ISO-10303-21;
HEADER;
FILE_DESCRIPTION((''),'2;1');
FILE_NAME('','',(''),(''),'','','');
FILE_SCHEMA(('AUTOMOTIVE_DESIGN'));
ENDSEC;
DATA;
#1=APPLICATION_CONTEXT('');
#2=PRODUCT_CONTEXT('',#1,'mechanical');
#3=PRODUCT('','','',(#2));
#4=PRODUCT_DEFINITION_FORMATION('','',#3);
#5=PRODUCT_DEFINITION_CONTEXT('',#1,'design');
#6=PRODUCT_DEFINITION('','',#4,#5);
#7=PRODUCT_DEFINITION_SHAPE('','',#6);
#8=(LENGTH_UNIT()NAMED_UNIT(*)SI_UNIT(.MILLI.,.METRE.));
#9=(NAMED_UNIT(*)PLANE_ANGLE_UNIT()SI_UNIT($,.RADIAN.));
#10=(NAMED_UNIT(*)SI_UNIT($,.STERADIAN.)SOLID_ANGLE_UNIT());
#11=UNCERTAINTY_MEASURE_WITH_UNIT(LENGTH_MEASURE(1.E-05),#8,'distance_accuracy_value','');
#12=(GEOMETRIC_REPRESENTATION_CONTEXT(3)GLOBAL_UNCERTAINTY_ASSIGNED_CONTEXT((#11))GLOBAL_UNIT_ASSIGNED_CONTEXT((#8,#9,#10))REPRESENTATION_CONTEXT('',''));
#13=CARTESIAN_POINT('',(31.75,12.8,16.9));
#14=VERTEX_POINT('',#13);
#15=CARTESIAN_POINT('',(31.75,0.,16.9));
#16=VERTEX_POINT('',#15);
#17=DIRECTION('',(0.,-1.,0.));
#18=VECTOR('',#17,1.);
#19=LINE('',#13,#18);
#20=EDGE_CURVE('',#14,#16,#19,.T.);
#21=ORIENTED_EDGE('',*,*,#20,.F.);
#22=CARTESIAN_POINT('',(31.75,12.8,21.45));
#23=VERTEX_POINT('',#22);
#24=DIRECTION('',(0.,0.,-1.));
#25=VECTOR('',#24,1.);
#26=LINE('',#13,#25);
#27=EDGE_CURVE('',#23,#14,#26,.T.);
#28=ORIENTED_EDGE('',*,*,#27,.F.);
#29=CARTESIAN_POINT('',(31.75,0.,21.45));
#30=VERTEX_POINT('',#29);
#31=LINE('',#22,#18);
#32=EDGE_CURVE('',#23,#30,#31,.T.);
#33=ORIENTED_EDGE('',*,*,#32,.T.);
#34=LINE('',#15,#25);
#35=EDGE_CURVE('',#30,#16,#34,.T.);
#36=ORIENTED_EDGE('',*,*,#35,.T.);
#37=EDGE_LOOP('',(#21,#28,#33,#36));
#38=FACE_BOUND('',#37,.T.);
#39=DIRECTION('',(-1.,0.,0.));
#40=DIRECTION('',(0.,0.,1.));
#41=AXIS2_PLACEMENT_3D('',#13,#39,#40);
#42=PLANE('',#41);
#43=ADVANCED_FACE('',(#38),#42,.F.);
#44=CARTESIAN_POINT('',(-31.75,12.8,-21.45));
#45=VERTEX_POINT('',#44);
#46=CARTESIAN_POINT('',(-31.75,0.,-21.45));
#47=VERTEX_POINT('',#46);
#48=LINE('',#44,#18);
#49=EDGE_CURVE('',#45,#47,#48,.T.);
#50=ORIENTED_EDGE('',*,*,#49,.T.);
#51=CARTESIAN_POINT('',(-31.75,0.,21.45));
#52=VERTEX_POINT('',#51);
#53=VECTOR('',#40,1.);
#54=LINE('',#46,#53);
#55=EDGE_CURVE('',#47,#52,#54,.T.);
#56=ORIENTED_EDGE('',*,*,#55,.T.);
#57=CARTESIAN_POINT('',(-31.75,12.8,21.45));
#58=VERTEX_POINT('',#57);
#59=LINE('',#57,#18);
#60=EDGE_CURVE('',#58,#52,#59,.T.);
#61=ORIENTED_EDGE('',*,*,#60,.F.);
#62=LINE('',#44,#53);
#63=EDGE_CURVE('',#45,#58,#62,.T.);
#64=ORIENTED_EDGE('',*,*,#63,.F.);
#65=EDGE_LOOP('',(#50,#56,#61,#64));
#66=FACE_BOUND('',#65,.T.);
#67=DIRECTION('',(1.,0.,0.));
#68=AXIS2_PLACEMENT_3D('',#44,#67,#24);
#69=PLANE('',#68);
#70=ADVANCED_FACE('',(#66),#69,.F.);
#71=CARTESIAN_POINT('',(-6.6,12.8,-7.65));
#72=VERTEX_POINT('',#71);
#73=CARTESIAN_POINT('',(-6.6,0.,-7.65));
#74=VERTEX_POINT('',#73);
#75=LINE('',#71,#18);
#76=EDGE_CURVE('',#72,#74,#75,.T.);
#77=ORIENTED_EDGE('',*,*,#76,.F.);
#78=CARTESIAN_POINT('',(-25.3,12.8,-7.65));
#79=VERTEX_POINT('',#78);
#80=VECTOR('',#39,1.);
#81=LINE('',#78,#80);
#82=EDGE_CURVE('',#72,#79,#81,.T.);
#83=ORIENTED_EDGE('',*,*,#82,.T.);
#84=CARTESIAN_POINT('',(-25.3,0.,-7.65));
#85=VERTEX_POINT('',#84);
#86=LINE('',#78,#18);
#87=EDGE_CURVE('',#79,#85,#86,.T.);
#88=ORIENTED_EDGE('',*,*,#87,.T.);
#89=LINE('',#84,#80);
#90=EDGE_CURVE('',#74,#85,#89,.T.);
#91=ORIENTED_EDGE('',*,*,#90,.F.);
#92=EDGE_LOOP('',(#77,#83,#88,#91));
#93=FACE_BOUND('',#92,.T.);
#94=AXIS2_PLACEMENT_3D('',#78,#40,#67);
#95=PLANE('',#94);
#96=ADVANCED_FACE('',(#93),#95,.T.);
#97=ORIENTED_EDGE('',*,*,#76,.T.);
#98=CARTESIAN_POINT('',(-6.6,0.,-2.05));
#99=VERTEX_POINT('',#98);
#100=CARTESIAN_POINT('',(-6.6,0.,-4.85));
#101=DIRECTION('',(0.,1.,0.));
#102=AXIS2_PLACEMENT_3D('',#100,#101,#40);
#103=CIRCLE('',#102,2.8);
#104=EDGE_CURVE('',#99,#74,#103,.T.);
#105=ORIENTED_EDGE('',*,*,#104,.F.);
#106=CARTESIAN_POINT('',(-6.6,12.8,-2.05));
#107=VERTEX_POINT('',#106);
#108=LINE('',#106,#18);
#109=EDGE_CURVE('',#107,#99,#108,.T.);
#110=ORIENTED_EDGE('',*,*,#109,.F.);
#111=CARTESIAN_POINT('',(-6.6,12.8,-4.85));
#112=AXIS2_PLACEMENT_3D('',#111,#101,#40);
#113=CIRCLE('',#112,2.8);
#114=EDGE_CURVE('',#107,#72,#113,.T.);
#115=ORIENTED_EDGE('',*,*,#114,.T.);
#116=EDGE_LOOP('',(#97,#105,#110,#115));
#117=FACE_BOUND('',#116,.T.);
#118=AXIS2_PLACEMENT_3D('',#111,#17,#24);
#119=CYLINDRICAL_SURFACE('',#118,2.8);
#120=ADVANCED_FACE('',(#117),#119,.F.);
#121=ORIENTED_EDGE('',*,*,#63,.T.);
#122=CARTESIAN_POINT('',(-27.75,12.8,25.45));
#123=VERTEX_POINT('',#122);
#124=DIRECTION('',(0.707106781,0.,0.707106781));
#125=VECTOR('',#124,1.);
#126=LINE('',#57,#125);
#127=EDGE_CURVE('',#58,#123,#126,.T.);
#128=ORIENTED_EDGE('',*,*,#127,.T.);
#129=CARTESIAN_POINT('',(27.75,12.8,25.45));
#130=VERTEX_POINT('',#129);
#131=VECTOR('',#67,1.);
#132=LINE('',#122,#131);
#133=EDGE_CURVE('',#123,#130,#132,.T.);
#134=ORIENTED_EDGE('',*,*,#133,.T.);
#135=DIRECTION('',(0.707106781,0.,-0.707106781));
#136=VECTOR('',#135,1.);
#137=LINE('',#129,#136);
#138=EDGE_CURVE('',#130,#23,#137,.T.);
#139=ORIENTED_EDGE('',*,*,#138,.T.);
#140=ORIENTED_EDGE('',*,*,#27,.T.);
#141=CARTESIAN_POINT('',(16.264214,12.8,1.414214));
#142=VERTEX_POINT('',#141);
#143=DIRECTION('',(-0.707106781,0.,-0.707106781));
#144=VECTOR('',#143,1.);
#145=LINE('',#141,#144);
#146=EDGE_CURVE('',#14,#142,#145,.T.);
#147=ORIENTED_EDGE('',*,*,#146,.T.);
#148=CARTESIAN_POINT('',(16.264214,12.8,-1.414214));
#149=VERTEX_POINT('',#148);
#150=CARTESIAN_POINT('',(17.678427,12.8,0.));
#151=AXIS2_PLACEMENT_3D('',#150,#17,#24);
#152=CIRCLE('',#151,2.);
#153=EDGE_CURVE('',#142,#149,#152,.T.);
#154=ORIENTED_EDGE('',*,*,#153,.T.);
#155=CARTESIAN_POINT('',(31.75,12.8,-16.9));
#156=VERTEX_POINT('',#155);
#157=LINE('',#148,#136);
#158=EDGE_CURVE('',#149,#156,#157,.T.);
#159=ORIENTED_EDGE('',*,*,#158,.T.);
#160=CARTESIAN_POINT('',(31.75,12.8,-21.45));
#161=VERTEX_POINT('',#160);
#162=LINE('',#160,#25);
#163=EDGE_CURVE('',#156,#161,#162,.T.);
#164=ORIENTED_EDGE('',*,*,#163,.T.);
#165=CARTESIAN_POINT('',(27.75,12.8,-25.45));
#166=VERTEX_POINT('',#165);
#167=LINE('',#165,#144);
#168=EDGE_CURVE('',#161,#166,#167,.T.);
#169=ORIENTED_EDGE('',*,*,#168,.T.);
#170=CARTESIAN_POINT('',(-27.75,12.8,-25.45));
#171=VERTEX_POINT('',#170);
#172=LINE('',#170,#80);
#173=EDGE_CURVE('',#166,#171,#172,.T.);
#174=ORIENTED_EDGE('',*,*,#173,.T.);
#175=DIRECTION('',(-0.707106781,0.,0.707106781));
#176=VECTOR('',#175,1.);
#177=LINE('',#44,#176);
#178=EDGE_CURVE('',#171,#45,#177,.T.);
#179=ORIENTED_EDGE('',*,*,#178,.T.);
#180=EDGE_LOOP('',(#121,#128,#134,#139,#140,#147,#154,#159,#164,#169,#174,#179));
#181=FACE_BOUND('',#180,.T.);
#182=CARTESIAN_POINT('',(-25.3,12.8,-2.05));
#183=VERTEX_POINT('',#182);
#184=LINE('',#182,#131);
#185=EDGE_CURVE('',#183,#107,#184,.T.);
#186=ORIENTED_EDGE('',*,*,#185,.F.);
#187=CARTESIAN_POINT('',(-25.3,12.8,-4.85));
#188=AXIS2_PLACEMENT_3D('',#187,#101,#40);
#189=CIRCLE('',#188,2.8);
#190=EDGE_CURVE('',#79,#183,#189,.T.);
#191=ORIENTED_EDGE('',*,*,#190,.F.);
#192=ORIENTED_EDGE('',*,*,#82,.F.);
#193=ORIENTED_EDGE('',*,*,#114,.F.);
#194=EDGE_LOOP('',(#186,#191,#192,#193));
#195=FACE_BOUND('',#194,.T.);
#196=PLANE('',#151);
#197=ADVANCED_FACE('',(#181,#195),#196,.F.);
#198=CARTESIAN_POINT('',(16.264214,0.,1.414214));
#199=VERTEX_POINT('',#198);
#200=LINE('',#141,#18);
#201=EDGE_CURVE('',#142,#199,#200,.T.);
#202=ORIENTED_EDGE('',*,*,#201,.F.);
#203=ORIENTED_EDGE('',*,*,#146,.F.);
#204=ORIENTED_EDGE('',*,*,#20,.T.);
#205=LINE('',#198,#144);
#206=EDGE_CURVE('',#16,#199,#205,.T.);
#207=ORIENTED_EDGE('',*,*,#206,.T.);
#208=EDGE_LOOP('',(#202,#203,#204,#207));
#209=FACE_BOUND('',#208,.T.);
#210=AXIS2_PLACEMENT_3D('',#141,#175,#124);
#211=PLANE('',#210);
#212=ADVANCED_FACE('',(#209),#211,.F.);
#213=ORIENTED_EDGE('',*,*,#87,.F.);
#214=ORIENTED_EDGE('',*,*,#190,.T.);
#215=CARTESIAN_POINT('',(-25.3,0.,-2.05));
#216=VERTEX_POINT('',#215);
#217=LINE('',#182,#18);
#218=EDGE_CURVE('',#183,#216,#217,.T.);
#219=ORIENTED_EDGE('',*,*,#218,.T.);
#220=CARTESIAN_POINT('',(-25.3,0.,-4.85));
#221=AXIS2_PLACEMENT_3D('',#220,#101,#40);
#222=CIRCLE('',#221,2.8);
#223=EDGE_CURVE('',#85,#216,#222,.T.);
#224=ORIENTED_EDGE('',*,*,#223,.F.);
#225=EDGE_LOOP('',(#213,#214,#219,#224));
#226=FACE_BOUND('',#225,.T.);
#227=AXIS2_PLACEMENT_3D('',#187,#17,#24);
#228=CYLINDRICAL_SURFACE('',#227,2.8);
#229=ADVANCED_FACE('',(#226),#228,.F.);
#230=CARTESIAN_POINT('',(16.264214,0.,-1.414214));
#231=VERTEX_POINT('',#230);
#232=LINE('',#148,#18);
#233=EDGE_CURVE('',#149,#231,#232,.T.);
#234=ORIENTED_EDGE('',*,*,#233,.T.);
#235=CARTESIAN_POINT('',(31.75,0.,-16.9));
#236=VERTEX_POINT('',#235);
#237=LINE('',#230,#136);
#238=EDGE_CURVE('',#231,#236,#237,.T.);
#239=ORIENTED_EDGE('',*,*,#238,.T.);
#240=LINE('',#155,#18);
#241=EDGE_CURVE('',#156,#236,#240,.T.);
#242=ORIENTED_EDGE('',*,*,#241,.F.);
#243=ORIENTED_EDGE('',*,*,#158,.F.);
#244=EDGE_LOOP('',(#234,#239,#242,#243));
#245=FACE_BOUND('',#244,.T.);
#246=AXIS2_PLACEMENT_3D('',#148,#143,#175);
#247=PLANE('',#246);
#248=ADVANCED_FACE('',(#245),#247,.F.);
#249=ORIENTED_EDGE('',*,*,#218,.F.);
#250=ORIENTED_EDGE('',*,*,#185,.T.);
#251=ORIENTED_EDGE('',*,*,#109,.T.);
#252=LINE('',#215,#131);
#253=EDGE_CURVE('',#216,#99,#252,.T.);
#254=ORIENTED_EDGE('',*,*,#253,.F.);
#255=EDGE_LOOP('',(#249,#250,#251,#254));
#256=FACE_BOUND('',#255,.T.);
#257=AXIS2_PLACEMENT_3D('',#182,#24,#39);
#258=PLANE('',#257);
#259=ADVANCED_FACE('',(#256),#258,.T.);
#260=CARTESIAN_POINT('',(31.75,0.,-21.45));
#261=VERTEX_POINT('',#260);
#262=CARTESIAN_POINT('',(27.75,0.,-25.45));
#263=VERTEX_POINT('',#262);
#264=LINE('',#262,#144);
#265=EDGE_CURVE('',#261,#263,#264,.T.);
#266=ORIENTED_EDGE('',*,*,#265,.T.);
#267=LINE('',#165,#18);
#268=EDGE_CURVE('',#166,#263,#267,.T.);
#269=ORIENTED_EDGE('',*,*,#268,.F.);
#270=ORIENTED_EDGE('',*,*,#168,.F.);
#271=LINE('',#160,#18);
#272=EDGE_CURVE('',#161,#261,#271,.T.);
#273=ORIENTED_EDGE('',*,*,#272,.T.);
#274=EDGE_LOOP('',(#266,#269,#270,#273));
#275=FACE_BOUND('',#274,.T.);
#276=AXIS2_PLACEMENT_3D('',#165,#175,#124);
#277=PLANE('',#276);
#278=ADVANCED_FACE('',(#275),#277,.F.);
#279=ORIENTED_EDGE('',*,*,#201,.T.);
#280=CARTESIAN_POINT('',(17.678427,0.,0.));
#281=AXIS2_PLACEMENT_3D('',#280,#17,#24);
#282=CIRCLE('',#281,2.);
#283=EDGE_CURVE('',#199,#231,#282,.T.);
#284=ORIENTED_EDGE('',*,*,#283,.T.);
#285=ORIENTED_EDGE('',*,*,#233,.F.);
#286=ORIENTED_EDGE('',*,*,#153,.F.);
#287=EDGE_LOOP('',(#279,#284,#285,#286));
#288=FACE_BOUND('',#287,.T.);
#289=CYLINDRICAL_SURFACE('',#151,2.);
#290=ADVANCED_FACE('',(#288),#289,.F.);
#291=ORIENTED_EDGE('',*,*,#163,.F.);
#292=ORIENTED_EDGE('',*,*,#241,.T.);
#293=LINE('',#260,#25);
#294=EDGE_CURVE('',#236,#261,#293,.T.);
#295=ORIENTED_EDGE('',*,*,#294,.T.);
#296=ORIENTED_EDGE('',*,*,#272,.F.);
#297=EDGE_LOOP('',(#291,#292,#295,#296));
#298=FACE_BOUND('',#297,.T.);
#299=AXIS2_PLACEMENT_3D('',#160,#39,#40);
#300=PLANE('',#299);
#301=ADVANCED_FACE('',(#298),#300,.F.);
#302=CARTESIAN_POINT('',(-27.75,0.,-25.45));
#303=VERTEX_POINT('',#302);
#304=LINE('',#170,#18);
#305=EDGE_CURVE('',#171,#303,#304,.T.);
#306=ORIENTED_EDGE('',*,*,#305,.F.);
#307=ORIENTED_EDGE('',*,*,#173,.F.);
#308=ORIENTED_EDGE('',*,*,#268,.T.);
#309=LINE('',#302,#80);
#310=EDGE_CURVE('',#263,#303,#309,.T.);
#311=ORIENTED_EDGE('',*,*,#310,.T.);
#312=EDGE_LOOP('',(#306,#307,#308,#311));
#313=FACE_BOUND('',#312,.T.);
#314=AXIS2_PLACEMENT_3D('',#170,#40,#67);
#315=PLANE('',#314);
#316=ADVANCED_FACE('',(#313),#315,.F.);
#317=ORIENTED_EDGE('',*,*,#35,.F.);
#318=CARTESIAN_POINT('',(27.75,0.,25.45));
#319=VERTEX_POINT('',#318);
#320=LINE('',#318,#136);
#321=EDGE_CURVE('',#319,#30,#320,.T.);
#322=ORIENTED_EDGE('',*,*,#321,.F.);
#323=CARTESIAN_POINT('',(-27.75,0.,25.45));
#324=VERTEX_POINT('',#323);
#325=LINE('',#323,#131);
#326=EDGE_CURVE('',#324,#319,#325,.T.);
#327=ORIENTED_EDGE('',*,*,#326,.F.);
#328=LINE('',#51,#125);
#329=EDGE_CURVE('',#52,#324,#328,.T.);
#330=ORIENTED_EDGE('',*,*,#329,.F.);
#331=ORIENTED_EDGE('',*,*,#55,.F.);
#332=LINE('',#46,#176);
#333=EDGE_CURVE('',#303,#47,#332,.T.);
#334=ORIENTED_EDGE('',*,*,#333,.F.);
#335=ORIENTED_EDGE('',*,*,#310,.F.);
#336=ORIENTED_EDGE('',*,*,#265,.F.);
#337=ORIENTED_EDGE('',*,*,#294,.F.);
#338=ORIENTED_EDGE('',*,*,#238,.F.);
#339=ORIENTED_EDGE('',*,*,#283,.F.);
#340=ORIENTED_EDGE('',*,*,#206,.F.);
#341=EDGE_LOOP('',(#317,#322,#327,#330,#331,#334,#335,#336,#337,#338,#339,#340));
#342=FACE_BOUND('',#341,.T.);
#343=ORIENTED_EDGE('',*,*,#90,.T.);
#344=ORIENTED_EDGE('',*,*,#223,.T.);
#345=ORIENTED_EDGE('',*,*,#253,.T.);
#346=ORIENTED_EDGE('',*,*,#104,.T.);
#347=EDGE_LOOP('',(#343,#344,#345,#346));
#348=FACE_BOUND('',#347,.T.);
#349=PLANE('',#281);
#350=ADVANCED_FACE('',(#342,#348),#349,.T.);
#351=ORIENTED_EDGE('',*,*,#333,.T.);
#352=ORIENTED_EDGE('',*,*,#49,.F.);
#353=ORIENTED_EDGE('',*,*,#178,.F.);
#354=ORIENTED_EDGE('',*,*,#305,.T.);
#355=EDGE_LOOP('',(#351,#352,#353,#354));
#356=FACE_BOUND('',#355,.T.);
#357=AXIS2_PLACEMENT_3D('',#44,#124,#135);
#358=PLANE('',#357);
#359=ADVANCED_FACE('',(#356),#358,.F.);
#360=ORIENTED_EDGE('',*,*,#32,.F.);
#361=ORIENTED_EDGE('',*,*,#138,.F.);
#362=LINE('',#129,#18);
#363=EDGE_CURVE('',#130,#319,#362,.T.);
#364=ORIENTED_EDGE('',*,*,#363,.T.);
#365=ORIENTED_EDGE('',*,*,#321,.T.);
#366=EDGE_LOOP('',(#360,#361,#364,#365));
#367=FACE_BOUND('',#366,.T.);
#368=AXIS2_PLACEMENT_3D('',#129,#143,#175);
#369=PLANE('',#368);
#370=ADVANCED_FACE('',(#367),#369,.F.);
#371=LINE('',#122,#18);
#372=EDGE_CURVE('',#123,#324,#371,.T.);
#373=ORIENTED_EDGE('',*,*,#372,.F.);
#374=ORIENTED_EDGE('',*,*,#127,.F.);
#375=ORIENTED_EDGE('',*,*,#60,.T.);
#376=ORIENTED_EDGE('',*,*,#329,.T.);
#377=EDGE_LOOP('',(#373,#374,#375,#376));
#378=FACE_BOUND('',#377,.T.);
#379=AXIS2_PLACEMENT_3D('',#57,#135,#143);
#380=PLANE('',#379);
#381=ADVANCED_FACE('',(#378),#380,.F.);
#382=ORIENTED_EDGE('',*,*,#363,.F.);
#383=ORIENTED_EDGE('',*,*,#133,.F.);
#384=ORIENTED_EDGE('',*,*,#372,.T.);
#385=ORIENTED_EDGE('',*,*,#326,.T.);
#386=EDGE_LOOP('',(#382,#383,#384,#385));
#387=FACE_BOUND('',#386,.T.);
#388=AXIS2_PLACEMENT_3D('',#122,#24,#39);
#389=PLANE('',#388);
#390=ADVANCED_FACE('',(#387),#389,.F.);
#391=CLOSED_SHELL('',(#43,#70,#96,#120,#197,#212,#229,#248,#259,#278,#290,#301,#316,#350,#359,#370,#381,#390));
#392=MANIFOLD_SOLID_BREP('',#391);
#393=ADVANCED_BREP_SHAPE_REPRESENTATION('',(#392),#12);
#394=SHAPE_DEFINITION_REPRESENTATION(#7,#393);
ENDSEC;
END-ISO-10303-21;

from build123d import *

# Parameters (mm, degrees)
RESSALTO_EXTRUS_O2_DEPTH = 12.8


with BuildPart() as part:
    # Esboço1 → Ressalto-extrusão2 (new body)
    with BuildSketch(Plane(origin=(0, 0, 0), x_dir=(1, 0, 0), z_dir=(0, 1, 0))):
        with BuildLine():
            Line((-27.75, 25.45), (27.75, 25.45))
            Line((27.75, 25.45), (31.75, 21.45))
            Line((31.75, 21.45), (31.75, 16.9))
            Line((31.75, 16.9), (16.264213562, 1.414213562))
            ThreePointArc((16.264213562, 1.414213562), (15.678427125, 0), (16.264213562, -1.414213562))
            Line((16.264213562, -1.414213562), (31.75, -16.9))
            Line((31.75, -16.9), (31.75, -21.45))
            Line((31.75, -21.45), (27.75, -25.45))
            Line((27.75, -25.45), (-27.75, -25.45))
            Line((-27.75, -25.45), (-31.75, -21.45))
            Line((-31.75, -21.45), (-31.75, 21.45))
            Line((-31.75, 21.45), (-27.75, 25.45))
        make_face()
        with BuildLine():
            Line((-25.3, 7.65), (-6.6, 7.65))
            ThreePointArc((-6.6, 7.65), (-3.8, 4.85), (-6.6, 2.05))
            Line((-6.6, 2.05), (-25.3, 2.05))
            ThreePointArc((-25.3, 2.05), (-28.1, 4.85), (-25.3, 7.65))
        make_face(mode=Mode.SUBTRACT)
    extrude(amount=RESSALTO_EXTRUS_O2_DEPTH)


solid = part.part
